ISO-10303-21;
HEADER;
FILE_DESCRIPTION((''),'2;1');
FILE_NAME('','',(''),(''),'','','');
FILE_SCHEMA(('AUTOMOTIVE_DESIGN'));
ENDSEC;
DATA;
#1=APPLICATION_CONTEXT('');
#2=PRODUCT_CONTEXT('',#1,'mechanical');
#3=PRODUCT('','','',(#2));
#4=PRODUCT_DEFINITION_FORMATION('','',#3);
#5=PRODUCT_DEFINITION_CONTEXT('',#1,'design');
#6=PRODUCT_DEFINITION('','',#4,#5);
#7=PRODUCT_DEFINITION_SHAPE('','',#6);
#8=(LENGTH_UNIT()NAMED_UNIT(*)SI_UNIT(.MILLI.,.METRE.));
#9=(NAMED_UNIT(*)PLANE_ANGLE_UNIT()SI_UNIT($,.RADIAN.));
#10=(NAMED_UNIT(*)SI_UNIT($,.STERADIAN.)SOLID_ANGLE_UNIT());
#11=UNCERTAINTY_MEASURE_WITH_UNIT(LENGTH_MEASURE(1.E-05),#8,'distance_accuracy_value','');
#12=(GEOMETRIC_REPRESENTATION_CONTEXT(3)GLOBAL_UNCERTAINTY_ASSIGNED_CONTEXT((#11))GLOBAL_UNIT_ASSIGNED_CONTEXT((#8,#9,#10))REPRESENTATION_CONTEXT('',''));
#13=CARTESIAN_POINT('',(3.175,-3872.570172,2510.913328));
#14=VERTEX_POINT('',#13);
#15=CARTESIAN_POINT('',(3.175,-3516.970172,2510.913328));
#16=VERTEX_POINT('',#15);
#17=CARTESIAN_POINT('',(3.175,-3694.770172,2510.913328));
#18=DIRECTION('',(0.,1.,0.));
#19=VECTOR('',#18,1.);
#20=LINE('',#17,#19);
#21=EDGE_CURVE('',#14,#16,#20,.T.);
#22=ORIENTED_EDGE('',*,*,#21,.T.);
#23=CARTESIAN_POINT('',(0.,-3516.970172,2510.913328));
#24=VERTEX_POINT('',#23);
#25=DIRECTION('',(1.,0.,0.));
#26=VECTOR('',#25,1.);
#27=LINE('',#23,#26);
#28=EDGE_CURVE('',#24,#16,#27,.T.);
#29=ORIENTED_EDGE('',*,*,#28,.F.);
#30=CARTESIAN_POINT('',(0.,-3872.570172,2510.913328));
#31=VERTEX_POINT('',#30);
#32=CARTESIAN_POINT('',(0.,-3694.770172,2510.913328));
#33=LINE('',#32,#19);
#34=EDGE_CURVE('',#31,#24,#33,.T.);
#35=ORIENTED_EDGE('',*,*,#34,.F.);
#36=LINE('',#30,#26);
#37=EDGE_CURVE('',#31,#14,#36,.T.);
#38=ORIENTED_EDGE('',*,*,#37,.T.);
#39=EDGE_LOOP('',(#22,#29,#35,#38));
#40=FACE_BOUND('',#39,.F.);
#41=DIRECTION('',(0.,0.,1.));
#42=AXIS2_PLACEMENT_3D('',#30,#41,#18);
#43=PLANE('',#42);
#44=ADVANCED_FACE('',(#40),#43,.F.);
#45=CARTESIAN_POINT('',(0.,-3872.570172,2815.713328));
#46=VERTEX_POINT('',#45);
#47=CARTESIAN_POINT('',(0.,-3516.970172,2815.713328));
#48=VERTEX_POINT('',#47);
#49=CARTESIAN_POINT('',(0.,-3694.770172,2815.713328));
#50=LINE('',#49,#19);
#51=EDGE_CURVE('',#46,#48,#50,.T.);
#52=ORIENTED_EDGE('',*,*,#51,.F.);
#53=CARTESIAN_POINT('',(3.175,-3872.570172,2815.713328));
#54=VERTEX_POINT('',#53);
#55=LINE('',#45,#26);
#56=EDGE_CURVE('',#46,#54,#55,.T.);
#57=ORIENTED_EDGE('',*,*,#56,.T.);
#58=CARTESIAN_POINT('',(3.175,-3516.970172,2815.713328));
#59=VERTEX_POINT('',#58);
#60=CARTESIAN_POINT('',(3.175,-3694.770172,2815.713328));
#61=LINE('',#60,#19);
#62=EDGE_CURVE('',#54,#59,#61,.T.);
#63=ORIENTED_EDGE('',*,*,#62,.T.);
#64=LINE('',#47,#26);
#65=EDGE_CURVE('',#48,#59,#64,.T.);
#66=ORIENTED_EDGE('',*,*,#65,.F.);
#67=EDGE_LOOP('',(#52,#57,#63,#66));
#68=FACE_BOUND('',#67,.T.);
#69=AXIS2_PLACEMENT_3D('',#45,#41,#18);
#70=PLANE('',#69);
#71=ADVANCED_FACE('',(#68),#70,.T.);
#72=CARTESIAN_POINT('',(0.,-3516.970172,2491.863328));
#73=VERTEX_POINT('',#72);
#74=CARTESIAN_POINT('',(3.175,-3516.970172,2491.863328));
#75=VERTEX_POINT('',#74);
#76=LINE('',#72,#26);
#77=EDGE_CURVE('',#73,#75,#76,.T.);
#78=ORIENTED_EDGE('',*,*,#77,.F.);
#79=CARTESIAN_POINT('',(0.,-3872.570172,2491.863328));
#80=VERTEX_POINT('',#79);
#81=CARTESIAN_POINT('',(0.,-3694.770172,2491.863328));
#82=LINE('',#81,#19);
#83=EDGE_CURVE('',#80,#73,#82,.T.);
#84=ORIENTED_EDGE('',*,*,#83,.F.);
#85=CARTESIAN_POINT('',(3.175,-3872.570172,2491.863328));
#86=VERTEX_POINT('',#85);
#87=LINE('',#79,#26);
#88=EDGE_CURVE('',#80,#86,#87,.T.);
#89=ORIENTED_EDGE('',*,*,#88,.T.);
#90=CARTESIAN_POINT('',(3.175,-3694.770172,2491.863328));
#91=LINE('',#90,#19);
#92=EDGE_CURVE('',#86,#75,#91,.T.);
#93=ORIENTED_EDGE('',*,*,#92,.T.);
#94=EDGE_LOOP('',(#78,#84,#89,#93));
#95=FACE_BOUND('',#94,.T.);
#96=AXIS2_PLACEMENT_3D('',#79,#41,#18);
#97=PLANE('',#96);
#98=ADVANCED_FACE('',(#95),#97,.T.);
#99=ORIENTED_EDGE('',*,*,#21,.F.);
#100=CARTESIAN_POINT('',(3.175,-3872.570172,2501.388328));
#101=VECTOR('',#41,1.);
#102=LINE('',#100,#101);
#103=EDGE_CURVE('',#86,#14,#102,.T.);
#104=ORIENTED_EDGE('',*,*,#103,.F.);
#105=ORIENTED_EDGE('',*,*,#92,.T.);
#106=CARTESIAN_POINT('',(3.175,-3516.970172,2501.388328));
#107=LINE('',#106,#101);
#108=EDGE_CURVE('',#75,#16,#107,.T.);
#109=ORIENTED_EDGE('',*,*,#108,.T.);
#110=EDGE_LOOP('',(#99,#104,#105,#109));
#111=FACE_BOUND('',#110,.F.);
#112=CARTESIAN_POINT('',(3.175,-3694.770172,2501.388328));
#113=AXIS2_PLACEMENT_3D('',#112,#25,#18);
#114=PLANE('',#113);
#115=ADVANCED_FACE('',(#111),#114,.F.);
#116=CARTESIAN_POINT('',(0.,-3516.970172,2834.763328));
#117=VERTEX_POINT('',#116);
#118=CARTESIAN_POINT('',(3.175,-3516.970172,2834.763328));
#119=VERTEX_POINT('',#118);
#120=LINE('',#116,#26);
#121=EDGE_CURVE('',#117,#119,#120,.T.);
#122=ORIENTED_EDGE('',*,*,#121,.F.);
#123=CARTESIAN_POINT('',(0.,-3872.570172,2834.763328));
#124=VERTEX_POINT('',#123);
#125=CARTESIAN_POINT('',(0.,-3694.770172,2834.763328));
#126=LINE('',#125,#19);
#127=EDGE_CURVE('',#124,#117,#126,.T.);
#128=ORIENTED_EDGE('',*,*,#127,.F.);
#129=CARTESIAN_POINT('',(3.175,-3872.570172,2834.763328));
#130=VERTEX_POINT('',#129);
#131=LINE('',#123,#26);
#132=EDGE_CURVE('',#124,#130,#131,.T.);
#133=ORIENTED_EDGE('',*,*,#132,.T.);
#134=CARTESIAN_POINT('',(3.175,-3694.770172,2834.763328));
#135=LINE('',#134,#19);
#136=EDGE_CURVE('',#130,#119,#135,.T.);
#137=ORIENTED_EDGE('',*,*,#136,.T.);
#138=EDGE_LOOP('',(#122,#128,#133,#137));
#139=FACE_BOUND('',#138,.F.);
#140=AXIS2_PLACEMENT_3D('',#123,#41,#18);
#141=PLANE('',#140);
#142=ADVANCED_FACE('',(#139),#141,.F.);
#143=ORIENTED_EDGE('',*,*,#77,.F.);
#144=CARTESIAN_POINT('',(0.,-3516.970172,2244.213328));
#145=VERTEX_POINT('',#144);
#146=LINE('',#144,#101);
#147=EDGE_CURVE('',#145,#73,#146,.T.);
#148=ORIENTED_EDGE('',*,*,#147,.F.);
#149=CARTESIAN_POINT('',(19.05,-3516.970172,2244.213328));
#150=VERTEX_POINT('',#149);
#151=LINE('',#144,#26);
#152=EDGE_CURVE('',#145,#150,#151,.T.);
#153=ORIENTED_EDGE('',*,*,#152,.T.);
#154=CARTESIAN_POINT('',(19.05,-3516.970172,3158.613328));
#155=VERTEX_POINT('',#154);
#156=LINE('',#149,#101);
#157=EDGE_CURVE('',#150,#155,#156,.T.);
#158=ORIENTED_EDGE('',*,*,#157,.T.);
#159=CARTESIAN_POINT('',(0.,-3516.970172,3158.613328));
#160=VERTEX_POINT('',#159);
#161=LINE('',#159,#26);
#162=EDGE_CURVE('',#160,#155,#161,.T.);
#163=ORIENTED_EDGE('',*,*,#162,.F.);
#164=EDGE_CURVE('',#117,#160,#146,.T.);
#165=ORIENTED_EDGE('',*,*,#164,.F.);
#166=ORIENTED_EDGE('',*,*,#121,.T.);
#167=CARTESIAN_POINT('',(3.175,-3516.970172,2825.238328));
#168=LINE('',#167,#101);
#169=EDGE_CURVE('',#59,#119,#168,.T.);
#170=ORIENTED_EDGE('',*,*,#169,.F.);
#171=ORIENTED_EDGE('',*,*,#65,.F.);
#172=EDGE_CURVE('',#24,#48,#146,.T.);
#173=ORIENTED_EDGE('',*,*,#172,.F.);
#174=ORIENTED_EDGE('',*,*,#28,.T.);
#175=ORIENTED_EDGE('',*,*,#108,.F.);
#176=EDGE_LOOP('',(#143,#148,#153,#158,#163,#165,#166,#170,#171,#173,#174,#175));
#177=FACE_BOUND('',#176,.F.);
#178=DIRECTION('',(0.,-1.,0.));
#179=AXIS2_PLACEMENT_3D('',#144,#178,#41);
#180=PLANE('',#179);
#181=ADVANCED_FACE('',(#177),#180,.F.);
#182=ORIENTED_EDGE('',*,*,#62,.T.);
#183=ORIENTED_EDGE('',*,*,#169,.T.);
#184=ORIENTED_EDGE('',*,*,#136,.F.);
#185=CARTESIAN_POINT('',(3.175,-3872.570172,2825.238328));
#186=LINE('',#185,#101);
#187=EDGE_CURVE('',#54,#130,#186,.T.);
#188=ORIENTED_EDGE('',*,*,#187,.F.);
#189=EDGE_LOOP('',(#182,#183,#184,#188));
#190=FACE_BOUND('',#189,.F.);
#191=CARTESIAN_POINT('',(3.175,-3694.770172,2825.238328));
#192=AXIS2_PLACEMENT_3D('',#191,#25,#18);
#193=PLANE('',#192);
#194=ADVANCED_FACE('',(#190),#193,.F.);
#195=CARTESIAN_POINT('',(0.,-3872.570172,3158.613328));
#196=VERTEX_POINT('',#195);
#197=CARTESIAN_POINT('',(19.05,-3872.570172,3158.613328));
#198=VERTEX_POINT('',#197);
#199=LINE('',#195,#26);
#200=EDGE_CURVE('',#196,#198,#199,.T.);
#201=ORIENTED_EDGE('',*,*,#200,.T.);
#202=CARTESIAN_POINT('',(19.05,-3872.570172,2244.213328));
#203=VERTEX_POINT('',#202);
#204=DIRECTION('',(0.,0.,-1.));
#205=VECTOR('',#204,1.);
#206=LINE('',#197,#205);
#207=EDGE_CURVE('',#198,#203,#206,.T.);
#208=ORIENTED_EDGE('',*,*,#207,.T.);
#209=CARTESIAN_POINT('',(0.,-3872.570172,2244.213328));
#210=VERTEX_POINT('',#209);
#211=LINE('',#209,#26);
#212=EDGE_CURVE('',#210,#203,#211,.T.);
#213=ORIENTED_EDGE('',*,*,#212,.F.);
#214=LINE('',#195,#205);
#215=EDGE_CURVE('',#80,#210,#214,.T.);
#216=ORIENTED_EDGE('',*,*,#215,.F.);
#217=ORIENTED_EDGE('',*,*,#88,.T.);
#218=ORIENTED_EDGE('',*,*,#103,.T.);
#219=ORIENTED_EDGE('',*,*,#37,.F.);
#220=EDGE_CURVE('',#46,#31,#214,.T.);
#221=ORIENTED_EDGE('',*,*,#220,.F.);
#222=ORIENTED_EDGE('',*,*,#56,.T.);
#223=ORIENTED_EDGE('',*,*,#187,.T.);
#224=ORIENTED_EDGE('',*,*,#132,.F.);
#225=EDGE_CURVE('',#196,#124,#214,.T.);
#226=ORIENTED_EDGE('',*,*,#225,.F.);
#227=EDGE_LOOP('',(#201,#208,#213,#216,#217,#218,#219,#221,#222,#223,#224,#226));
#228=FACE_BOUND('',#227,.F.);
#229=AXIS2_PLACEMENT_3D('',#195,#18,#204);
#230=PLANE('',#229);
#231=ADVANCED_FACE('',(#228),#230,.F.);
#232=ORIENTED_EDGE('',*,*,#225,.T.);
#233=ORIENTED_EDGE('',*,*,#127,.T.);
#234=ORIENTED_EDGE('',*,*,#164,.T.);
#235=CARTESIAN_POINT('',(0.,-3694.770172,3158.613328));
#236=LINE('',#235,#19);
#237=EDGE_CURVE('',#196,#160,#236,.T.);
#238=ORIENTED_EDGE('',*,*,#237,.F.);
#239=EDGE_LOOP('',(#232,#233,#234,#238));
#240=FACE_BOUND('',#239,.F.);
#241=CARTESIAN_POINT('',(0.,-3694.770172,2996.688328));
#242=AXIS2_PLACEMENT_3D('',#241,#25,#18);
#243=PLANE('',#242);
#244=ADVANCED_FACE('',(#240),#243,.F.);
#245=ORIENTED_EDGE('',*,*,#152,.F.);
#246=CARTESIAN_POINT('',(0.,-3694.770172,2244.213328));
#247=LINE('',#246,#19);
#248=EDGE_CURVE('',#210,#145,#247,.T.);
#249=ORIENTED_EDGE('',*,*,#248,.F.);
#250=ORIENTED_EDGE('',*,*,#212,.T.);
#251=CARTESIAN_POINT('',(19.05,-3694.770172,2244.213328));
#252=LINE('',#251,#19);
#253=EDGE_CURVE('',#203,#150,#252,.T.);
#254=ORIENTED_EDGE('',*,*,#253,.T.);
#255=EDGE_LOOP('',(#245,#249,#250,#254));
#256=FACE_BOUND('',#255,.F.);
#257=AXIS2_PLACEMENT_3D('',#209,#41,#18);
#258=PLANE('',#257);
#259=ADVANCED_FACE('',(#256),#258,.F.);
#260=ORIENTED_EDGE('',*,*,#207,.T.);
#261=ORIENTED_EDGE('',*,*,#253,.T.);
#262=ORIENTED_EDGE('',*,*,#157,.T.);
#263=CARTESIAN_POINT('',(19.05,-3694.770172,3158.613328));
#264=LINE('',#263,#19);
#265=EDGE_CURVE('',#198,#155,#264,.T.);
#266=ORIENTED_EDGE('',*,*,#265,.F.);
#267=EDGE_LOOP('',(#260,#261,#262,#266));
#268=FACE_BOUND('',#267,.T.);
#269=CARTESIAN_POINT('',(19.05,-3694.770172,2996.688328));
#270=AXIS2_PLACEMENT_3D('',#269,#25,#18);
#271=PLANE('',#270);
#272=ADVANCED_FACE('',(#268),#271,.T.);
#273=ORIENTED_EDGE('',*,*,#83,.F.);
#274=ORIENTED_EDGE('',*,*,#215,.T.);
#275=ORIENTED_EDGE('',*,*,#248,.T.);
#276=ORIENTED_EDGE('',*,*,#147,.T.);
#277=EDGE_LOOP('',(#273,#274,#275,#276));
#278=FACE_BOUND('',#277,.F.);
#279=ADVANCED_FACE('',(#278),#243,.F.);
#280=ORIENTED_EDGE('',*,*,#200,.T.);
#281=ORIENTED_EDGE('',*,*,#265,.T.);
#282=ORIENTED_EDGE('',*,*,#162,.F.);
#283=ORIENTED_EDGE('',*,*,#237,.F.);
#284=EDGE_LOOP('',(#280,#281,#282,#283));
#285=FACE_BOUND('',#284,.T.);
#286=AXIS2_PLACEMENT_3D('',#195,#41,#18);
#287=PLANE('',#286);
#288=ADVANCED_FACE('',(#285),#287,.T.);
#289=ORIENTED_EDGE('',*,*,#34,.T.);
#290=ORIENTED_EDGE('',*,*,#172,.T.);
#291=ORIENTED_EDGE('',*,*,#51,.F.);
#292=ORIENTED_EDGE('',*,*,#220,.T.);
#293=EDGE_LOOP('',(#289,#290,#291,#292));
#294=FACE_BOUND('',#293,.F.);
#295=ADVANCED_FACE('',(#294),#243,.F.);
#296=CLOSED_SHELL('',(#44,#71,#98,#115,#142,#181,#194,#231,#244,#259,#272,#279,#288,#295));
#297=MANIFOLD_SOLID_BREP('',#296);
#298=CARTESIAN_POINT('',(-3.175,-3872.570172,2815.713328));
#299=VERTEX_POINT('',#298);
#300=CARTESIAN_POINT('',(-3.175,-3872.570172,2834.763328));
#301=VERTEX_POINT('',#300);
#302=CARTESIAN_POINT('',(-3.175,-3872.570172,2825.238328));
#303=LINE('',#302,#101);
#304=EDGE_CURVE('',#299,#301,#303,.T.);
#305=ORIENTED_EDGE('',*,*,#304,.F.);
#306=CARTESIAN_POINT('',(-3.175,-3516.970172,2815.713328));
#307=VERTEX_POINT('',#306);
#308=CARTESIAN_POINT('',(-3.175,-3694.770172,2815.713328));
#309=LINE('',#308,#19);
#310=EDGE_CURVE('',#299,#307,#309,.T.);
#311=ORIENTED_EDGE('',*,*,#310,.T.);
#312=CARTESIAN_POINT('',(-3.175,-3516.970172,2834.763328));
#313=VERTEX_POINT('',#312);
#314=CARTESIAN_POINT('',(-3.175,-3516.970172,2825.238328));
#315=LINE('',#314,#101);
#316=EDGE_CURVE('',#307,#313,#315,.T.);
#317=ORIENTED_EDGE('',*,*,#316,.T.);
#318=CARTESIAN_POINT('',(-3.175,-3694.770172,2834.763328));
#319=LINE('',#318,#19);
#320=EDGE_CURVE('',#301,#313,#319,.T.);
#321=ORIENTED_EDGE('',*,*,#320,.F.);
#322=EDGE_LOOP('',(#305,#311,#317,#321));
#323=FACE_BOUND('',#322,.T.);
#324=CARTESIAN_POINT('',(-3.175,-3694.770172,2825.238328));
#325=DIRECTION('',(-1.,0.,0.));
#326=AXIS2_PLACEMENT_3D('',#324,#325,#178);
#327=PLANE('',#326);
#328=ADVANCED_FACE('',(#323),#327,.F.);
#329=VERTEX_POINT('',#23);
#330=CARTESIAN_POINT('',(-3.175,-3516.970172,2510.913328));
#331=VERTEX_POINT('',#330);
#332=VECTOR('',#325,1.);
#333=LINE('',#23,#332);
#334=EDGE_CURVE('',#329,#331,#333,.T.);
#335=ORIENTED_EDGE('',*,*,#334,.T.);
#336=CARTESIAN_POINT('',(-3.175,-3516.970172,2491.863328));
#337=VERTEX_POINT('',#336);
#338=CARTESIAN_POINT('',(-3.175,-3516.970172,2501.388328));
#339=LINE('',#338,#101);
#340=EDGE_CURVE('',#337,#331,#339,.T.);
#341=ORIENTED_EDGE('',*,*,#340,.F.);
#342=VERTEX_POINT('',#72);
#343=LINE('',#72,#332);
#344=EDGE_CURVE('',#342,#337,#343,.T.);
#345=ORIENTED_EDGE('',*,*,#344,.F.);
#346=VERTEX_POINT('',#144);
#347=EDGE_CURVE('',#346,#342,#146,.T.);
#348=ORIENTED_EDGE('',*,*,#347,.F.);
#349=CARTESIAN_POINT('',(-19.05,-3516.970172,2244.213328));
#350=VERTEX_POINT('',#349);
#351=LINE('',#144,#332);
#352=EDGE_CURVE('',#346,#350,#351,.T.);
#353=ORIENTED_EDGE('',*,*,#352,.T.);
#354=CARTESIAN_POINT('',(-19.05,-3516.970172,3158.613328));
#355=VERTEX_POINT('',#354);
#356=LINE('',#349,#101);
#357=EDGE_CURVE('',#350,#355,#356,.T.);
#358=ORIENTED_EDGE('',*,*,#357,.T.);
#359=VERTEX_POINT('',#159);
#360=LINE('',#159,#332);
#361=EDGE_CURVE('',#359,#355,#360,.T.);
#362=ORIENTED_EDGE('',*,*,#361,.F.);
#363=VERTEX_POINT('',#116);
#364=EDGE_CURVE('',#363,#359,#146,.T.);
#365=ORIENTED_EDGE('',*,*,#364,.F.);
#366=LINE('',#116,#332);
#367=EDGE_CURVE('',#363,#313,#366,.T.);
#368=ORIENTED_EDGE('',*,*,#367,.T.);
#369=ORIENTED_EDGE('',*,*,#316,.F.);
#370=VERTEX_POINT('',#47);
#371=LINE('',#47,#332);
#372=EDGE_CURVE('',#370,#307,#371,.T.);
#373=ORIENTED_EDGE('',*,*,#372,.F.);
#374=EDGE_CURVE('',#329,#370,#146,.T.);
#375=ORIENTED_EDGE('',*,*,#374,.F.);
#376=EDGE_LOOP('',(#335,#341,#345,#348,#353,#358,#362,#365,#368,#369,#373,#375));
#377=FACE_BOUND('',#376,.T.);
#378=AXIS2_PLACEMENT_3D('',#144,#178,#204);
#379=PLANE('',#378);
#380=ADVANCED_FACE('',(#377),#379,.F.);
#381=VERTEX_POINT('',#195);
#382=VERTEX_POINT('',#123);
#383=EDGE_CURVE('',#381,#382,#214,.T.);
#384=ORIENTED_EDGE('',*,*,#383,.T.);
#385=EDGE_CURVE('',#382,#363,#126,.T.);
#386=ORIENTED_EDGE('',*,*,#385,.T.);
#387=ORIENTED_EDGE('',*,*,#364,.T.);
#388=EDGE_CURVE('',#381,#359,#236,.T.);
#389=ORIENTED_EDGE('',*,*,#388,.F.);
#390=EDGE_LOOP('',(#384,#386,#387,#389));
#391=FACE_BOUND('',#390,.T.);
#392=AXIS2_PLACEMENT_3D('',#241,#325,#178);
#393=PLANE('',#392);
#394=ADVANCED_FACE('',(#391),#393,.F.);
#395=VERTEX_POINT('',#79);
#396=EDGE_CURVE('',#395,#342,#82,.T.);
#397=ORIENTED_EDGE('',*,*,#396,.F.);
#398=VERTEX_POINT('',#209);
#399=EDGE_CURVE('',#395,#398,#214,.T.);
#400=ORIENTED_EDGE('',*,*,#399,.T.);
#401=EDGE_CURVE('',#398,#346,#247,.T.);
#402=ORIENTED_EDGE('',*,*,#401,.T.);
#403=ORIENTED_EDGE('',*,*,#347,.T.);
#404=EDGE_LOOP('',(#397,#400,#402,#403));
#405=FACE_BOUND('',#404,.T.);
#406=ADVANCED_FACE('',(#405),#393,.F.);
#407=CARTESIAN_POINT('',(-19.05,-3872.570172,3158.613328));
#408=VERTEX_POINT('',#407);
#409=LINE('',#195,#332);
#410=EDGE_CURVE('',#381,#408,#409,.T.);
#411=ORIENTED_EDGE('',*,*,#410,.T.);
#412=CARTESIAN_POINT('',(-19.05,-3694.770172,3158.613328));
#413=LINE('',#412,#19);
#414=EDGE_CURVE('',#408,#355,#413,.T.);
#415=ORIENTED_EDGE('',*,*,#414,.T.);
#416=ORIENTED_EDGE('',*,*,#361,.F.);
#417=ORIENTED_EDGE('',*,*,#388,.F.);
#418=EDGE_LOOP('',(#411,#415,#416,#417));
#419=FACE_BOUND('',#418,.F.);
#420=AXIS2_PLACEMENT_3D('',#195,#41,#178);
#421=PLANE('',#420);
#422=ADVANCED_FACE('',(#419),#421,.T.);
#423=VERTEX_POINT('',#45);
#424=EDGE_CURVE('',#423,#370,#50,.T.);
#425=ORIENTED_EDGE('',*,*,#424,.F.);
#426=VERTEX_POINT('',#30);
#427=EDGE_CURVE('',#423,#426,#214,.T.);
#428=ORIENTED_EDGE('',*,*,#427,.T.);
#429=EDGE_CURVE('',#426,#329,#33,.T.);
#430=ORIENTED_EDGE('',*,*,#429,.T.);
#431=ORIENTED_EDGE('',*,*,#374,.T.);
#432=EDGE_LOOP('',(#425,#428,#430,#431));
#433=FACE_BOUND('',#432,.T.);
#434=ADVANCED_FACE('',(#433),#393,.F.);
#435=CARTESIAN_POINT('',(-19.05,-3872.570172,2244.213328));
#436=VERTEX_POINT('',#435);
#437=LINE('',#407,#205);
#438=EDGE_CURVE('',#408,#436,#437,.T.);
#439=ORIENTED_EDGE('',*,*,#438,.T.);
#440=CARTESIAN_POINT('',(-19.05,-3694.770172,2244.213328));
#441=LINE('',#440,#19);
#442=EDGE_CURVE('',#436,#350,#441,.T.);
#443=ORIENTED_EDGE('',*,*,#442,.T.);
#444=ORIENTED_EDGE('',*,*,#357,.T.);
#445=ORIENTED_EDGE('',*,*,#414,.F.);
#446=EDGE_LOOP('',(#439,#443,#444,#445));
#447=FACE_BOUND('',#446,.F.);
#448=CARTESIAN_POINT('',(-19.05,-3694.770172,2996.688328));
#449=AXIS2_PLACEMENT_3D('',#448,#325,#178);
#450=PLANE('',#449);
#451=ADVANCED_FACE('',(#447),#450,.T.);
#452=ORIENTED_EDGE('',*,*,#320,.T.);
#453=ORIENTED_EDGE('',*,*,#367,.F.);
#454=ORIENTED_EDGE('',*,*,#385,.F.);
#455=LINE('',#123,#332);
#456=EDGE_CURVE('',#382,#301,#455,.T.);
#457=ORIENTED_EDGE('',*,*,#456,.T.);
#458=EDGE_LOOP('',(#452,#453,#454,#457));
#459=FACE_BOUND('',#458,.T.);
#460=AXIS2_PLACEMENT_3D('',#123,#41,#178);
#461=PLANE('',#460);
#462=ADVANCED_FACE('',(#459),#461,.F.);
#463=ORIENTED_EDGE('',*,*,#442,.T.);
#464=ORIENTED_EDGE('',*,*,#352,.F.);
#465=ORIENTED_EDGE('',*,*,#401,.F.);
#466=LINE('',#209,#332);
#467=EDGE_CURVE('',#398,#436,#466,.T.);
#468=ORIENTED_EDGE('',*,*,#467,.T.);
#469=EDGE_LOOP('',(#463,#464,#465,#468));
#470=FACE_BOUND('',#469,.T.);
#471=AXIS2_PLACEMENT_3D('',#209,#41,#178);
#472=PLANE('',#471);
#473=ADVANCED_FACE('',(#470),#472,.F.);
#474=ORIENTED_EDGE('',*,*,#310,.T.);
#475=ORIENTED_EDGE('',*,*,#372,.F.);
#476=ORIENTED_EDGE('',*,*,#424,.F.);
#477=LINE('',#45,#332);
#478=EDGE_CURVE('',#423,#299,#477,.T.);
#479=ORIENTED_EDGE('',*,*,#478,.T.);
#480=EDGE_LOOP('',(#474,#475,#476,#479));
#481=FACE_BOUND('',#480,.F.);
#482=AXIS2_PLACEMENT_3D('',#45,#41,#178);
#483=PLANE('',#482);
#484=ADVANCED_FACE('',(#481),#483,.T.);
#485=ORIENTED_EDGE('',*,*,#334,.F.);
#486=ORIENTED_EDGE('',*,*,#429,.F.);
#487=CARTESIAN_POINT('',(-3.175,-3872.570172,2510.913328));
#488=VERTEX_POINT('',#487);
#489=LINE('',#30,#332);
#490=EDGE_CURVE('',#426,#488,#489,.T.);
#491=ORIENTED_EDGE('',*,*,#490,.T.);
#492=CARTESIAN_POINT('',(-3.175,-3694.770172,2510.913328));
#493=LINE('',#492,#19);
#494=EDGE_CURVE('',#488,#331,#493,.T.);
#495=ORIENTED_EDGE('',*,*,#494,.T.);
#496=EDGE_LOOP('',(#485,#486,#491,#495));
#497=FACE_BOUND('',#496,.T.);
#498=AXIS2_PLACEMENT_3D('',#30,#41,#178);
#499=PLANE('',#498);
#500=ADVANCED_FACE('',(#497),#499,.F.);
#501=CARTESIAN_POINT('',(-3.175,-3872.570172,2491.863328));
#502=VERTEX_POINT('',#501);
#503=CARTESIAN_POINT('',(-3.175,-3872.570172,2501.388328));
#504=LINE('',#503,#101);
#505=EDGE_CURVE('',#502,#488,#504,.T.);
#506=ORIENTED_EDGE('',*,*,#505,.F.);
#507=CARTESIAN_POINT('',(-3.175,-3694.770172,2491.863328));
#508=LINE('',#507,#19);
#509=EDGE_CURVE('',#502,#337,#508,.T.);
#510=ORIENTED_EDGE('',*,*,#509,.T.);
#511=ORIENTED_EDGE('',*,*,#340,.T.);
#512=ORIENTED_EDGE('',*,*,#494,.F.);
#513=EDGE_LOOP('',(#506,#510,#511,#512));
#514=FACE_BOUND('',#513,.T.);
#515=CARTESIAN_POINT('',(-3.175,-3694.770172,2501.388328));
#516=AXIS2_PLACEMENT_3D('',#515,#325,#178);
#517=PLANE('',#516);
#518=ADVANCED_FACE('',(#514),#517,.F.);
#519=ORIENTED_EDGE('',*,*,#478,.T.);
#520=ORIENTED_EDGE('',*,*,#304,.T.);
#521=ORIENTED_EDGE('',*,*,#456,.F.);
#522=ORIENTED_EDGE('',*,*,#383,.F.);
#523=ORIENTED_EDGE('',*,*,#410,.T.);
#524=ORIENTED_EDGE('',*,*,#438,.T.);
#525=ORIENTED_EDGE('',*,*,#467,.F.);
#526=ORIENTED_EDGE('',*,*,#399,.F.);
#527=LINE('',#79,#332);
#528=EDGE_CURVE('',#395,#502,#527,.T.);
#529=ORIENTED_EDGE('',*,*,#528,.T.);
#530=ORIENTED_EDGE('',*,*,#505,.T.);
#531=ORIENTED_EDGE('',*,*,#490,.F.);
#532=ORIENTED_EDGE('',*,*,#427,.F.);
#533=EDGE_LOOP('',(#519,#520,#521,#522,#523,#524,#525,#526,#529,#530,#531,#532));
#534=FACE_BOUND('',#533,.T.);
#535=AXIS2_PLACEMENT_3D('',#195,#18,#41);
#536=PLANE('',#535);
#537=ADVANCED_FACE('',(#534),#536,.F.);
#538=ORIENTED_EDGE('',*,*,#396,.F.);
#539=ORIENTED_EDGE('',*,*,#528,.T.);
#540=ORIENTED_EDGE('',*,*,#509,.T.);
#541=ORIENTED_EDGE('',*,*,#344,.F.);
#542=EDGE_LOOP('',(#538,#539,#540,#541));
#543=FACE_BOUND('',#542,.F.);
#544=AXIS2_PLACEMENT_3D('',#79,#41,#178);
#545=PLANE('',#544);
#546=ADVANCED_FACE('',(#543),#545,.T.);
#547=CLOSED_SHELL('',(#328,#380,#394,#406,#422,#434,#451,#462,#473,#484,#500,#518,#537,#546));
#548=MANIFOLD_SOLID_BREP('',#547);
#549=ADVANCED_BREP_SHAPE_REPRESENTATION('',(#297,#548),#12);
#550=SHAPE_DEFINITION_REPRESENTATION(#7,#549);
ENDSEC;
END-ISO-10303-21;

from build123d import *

# Parameters (mm, degrees)
F0_W     = 355.6
F0_H     = 323.85
F0_H_2   = 247.65
F0_H_3   = 304.8
F0_H_4   = 19.05
F1_DEPTH = 19.05
F2_DEPTH = 3.175


with BuildPart() as f1:
    # F0 (on Right) → F1 (new body)
    with BuildSketch(Plane.YZ):
        with Locations((-3694.770172, 2996.688328)):
            Rectangle(F0_W, F0_H)
        with Locations((-3694.770172, 2368.038328)):
            Rectangle(F0_W, F0_H_2)
        with Locations((-3694.770172, 2663.313328)):
            Rectangle(F0_W, F0_H_3)
        with Locations((-3694.770172, 2501.388328)):
            Rectangle(F0_W, F0_H_4)
        with Locations((-3694.770172, 2825.238328)):
            Rectangle(F0_W, F0_H_4)
    extrude(amount=F1_DEPTH)

    # F0 (on Right) → F2 (cut)
    with BuildSketch(Plane.YZ):
        with Locations((-3694.770172, 2825.238328)):
            Rectangle(F0_W, F0_H_4)
        with Locations((-3694.770172, 2501.388328)):
            Rectangle(F0_W, F0_H_4)
    extrude(amount=F2_DEPTH, mode=Mode.SUBTRACT)


with BuildPart() as f3_1:
    # F3: instance of F1
    add(f1.part.mirror(Plane.YZ))


solid = Compound([f1.part, f3_1.part])
